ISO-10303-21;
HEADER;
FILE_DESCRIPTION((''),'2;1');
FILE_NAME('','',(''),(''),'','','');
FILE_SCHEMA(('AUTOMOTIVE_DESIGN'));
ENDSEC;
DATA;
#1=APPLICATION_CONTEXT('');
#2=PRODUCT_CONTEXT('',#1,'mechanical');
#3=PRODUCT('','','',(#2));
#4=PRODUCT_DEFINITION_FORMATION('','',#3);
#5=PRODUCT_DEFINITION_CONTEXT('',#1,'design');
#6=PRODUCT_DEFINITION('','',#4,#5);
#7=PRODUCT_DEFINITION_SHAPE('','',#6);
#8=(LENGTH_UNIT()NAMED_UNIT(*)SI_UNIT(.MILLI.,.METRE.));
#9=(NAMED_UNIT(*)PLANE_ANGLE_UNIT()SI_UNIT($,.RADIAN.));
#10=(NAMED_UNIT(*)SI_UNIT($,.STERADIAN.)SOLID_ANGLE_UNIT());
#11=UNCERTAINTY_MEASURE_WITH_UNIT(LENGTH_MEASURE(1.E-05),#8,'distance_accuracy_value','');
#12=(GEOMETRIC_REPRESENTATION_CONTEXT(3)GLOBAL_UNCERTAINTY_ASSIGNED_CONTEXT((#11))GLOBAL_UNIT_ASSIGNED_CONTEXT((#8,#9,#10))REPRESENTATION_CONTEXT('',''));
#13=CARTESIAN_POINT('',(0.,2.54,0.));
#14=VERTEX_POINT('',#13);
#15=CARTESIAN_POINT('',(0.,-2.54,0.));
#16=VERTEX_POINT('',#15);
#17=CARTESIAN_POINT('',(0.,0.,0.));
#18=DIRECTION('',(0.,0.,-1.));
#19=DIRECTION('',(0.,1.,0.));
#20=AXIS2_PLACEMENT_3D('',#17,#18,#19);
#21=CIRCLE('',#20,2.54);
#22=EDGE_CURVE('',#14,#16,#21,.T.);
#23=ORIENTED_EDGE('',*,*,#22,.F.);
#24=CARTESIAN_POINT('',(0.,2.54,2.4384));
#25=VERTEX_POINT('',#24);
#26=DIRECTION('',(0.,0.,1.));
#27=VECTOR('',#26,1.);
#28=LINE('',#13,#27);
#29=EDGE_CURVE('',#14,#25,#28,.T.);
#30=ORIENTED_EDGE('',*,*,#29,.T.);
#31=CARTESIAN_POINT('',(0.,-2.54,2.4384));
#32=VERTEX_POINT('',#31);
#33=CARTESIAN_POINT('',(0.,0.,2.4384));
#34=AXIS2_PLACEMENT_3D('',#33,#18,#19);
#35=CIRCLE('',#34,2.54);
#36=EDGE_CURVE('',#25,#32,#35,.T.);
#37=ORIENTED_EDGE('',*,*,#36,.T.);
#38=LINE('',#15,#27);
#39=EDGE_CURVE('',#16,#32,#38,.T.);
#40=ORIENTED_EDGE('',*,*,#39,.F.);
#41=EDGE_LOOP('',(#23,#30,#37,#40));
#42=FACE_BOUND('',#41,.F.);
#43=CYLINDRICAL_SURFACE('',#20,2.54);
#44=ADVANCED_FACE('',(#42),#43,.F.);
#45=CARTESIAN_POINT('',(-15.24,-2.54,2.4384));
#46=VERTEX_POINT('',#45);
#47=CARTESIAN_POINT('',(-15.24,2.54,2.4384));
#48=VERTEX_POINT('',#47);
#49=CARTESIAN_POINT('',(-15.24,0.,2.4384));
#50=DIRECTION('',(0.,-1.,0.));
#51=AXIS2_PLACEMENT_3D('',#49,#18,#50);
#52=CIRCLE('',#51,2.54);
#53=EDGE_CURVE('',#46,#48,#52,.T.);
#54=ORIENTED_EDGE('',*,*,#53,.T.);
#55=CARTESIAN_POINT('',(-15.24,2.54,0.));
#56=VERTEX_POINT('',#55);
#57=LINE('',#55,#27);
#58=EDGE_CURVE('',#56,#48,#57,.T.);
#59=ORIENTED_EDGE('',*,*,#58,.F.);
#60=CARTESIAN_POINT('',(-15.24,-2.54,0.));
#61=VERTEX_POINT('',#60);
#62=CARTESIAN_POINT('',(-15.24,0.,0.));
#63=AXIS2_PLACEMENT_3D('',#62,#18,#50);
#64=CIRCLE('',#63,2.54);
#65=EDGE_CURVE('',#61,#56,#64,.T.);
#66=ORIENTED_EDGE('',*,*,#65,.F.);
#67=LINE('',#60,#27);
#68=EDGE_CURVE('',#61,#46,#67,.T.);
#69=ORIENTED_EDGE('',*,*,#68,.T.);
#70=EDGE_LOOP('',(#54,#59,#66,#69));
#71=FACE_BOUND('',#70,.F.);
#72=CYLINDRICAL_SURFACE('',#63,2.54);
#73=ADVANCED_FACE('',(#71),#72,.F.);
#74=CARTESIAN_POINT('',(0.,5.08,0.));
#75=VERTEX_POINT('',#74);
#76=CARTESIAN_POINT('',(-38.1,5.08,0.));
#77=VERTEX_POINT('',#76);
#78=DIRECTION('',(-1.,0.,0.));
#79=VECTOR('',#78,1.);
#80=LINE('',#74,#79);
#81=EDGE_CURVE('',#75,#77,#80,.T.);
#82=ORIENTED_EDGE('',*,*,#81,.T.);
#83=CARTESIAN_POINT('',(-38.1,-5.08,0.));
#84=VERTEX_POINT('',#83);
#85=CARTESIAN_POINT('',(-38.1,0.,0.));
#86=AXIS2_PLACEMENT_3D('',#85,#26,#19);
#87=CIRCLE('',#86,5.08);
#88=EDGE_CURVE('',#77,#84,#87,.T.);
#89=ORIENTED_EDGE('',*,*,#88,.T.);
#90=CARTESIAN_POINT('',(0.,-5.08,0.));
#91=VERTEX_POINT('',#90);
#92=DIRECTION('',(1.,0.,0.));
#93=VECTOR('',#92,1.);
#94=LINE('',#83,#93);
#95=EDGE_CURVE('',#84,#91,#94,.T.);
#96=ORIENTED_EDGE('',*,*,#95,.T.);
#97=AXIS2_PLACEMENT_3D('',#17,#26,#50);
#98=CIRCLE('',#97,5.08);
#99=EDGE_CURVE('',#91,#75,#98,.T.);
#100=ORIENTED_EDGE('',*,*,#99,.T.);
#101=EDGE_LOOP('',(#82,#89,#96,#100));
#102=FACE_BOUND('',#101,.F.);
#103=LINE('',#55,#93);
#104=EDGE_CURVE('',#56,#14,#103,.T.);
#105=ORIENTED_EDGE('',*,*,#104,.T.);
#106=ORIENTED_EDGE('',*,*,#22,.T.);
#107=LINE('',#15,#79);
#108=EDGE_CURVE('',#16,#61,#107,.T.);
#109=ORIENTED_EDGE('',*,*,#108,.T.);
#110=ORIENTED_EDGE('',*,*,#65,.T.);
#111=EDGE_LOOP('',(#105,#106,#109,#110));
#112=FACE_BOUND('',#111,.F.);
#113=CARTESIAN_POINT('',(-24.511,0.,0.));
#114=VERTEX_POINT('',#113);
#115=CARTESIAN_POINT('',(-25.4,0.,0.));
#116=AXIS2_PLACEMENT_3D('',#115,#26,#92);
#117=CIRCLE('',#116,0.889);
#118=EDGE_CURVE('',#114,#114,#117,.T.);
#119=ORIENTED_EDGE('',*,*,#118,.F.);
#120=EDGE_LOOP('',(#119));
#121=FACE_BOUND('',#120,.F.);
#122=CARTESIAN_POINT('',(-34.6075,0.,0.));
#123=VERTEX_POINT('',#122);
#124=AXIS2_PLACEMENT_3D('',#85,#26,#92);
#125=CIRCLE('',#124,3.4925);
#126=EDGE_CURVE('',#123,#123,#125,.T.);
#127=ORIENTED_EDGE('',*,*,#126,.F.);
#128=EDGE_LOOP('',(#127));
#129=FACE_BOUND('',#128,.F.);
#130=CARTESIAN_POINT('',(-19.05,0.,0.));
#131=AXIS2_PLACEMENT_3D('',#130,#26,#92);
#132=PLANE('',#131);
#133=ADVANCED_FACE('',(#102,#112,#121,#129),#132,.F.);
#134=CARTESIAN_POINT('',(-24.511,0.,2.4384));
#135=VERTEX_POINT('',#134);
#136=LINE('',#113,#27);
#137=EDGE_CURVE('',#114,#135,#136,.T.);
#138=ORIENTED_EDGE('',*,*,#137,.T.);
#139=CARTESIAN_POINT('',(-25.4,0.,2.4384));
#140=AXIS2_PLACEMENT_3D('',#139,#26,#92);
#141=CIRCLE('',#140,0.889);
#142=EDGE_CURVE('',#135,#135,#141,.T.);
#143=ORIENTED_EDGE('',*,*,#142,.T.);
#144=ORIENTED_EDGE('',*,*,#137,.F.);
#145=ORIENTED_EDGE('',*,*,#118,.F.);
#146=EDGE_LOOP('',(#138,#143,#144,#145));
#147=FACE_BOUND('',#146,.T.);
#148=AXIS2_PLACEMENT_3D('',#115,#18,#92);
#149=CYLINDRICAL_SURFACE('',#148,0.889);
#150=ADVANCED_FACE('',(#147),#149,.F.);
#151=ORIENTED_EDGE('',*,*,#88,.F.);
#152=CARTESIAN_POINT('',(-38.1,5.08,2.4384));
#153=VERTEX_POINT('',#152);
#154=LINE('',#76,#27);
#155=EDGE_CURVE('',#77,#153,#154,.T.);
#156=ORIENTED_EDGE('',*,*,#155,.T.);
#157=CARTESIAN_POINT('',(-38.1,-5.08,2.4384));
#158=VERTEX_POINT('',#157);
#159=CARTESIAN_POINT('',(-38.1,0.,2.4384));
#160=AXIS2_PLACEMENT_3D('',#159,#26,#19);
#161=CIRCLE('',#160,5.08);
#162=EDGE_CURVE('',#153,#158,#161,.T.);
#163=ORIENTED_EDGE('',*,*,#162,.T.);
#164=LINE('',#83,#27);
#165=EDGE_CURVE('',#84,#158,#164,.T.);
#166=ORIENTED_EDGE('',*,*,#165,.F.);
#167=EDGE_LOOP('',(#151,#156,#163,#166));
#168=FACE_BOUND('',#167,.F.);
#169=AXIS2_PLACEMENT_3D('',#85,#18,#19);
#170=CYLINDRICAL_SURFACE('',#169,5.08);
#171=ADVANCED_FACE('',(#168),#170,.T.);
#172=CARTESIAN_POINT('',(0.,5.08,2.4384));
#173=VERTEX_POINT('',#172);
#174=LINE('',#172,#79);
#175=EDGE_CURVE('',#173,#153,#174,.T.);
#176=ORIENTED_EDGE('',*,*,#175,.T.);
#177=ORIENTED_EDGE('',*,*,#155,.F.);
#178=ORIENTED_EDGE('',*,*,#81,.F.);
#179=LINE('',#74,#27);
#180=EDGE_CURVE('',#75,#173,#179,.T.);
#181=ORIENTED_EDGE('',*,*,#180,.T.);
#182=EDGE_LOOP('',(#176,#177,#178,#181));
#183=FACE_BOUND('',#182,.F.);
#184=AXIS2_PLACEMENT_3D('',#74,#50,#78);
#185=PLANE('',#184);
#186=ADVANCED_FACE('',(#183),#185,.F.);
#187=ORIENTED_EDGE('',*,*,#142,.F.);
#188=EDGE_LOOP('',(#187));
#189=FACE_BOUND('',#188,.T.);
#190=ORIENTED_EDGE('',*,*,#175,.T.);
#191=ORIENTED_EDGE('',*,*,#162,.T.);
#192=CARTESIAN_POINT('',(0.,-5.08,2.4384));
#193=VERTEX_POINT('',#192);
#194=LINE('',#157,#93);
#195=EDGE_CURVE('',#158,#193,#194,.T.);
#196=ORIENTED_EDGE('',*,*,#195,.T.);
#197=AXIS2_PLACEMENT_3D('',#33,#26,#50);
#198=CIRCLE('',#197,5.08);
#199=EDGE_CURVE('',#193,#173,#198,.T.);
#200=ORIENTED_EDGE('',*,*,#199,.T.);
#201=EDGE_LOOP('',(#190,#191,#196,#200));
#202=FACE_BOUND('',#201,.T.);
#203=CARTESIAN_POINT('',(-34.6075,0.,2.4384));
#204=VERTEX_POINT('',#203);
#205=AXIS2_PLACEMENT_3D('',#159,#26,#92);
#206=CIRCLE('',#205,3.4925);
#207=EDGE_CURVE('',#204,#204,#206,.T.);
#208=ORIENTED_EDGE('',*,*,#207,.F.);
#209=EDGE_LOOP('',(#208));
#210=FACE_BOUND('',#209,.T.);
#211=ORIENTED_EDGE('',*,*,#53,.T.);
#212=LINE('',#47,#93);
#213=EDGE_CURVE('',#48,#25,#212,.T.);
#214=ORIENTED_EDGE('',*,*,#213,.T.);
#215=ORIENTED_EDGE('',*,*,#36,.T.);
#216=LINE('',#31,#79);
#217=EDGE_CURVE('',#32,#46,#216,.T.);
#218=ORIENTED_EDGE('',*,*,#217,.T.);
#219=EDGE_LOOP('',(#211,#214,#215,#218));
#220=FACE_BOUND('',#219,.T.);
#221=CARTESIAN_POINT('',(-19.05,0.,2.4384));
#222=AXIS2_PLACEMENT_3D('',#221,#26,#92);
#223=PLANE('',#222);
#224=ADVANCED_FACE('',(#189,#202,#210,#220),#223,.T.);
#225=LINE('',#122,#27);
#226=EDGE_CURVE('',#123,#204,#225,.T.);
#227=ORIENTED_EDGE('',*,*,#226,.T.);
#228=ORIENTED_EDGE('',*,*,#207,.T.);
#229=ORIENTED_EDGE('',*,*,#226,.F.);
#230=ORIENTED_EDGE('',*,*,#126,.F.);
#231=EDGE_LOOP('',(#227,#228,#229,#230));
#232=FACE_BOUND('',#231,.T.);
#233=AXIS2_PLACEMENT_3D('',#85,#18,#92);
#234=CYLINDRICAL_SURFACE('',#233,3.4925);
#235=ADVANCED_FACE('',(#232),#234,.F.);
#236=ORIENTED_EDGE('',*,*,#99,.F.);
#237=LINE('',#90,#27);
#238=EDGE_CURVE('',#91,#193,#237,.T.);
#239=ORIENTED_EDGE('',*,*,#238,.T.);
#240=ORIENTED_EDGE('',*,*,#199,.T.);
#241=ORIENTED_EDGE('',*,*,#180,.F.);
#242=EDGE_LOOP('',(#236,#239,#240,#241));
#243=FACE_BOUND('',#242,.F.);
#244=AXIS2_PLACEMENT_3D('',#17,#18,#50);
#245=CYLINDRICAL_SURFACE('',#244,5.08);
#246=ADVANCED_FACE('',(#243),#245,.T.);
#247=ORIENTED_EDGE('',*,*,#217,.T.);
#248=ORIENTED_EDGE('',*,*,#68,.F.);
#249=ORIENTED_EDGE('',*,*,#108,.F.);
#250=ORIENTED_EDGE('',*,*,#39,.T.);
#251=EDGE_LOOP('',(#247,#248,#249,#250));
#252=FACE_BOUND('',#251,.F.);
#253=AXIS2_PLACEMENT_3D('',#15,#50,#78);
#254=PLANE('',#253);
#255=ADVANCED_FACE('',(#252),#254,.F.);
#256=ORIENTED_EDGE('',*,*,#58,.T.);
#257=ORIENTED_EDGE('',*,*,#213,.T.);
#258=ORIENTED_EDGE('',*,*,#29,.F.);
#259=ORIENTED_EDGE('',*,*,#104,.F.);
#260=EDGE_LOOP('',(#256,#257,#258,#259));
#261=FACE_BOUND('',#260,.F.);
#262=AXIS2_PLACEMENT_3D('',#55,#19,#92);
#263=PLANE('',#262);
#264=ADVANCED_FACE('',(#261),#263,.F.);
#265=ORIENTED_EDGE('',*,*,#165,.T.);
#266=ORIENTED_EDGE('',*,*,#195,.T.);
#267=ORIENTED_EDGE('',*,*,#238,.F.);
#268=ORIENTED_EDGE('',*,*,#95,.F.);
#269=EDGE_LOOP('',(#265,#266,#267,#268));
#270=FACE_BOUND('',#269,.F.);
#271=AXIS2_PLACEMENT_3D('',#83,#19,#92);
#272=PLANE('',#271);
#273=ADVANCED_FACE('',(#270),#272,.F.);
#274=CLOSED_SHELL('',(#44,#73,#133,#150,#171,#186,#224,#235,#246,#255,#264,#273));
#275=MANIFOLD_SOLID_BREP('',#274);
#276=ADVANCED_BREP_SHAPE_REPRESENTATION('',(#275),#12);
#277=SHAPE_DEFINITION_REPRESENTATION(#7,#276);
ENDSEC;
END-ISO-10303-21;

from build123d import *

# Parameters (mm, degrees)
F0_R     = 3.4925
F0_R_2   = 0.889
F1_DEPTH = 2.4384


with BuildPart() as f1:
    # F0 (on Top) → F1 (new body)
    with BuildSketch(Plane.XY):
        with BuildLine():
            Line((-38.1, -5.08), (0, -5.08))
            ThreePointArc((0, -5.08), (5.08, 0), (0, 5.08))
            Line((0, 5.08), (-38.1, 5.08))
            ThreePointArc((-38.1, 5.08), (-43.18, 0), (-38.1, -5.08))
        make_face()
        with Locations((-38.1, 0)):
            Circle(F0_R, mode=Mode.SUBTRACT)
        with Locations((-25.4, 0)):
            Circle(F0_R_2, mode=Mode.SUBTRACT)
        with BuildLine():
            ThreePointArc((0, 2.54), (2.54, 0), (0, -2.54))
            Line((0, -2.54), (-15.24, -2.54))
            ThreePointArc((-15.24, -2.54), (-17.78, 0), (-15.24, 2.54))
            Line((-15.24, 2.54), (0, 2.54))
        make_face(mode=Mode.SUBTRACT)
    extrude(amount=F1_DEPTH)


solid = f1.part
